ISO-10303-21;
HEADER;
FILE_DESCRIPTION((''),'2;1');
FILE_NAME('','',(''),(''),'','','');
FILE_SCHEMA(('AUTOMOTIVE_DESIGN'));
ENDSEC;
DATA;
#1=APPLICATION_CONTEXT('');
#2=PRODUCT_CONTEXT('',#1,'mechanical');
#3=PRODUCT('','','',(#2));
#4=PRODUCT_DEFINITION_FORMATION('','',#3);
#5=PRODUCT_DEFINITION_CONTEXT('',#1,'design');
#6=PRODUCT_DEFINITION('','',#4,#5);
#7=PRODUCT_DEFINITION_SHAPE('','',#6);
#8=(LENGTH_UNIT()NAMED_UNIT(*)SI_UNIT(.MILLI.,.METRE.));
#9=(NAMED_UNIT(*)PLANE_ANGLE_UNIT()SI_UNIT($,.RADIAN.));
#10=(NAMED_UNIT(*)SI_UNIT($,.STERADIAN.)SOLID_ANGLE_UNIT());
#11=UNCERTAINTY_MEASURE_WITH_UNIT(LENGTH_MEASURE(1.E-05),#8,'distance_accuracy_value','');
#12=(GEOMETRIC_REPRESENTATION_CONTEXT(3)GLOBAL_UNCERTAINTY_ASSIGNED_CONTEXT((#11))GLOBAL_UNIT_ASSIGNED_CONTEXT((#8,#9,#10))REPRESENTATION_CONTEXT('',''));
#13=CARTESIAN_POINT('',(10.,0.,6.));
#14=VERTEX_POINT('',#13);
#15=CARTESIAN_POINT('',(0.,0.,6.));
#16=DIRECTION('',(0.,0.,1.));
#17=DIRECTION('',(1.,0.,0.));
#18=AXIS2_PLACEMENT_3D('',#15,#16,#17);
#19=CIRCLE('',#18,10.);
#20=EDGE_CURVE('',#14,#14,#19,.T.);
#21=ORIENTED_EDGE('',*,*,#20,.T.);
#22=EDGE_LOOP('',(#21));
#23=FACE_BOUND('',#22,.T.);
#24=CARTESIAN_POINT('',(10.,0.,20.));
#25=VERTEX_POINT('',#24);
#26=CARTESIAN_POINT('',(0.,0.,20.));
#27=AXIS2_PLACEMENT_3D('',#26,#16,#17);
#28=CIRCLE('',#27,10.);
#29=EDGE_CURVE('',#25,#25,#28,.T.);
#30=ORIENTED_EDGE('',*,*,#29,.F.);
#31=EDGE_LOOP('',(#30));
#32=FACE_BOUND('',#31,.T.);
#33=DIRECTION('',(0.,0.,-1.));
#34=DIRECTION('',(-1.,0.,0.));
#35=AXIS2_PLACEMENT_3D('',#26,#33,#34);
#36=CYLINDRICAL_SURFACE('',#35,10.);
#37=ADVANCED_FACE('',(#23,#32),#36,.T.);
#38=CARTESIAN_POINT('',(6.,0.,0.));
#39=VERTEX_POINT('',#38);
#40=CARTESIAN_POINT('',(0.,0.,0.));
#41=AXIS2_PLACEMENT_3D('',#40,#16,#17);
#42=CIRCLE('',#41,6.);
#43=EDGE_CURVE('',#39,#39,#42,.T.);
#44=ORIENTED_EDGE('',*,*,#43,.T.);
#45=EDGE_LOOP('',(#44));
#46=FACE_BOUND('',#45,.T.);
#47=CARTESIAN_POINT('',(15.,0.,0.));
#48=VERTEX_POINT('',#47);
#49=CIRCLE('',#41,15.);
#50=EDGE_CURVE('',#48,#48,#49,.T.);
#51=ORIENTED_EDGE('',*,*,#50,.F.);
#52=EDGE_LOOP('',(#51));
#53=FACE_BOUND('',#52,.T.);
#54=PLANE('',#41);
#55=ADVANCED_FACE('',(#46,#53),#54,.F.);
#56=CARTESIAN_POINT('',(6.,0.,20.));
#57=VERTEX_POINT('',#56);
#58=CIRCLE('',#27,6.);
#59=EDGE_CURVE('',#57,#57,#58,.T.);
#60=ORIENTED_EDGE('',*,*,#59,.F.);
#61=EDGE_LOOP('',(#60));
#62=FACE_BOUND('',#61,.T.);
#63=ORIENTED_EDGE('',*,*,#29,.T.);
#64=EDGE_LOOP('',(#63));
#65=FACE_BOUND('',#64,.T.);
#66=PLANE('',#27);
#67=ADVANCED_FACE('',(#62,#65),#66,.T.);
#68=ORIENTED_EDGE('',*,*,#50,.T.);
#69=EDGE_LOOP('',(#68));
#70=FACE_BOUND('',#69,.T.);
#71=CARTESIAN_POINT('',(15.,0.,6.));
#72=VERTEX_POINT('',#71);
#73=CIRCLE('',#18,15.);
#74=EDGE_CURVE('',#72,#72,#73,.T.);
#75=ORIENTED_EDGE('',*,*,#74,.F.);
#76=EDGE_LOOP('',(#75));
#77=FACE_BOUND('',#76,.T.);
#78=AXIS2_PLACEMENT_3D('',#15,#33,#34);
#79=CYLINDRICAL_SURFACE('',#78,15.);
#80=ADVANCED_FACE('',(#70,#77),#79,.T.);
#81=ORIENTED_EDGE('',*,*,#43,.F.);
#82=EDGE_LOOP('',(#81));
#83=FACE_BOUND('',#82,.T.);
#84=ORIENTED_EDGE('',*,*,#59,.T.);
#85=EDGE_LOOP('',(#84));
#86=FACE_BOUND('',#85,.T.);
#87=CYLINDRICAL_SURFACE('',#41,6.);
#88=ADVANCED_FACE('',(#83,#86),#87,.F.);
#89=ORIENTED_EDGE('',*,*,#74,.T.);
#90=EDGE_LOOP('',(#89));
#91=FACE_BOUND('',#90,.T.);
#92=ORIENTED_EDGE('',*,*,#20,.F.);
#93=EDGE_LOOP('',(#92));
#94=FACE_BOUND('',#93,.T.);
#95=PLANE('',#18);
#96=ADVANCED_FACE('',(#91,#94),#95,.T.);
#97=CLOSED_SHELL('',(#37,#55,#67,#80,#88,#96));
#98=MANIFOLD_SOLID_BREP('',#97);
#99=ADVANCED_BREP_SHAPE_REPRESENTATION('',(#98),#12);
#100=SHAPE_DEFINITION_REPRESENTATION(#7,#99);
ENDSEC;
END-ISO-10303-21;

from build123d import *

# Parameters (mm, degrees)
IZIM1_R                     = 15
Y_KSEKLIK_EKSTR_ZYON1_DEPTH = 6
IZIM2_R                     = 10
Y_KSEKLIK_EKSTR_ZYON2_DEPTH = 14
IZIM3_R                     = 6
KES_EKSTR_ZYON1_DEPTH       = 21


with BuildPart() as part:
    # Çizim1 → Yükseklik-Ekstrüzyon1 (new body)
    with BuildSketch(Plane.XY):
        Circle(IZIM1_R)
    extrude(amount=Y_KSEKLIK_EKSTR_ZYON1_DEPTH)

    # Çizim2 → Yükseklik-Ekstrüzyon2 (add)
    with BuildSketch(Plane.XY.offset(6)):
        Circle(IZIM2_R)
    extrude(amount=Y_KSEKLIK_EKSTR_ZYON2_DEPTH)

    # Çizim3 → Kes-Ekstrüzyon1 (cut, through all)
    with BuildSketch(Plane.XY.offset(20)):
        Circle(IZIM3_R)
    extrude(amount=-KES_EKSTR_ZYON1_DEPTH, mode=Mode.SUBTRACT)


solid = part.part
